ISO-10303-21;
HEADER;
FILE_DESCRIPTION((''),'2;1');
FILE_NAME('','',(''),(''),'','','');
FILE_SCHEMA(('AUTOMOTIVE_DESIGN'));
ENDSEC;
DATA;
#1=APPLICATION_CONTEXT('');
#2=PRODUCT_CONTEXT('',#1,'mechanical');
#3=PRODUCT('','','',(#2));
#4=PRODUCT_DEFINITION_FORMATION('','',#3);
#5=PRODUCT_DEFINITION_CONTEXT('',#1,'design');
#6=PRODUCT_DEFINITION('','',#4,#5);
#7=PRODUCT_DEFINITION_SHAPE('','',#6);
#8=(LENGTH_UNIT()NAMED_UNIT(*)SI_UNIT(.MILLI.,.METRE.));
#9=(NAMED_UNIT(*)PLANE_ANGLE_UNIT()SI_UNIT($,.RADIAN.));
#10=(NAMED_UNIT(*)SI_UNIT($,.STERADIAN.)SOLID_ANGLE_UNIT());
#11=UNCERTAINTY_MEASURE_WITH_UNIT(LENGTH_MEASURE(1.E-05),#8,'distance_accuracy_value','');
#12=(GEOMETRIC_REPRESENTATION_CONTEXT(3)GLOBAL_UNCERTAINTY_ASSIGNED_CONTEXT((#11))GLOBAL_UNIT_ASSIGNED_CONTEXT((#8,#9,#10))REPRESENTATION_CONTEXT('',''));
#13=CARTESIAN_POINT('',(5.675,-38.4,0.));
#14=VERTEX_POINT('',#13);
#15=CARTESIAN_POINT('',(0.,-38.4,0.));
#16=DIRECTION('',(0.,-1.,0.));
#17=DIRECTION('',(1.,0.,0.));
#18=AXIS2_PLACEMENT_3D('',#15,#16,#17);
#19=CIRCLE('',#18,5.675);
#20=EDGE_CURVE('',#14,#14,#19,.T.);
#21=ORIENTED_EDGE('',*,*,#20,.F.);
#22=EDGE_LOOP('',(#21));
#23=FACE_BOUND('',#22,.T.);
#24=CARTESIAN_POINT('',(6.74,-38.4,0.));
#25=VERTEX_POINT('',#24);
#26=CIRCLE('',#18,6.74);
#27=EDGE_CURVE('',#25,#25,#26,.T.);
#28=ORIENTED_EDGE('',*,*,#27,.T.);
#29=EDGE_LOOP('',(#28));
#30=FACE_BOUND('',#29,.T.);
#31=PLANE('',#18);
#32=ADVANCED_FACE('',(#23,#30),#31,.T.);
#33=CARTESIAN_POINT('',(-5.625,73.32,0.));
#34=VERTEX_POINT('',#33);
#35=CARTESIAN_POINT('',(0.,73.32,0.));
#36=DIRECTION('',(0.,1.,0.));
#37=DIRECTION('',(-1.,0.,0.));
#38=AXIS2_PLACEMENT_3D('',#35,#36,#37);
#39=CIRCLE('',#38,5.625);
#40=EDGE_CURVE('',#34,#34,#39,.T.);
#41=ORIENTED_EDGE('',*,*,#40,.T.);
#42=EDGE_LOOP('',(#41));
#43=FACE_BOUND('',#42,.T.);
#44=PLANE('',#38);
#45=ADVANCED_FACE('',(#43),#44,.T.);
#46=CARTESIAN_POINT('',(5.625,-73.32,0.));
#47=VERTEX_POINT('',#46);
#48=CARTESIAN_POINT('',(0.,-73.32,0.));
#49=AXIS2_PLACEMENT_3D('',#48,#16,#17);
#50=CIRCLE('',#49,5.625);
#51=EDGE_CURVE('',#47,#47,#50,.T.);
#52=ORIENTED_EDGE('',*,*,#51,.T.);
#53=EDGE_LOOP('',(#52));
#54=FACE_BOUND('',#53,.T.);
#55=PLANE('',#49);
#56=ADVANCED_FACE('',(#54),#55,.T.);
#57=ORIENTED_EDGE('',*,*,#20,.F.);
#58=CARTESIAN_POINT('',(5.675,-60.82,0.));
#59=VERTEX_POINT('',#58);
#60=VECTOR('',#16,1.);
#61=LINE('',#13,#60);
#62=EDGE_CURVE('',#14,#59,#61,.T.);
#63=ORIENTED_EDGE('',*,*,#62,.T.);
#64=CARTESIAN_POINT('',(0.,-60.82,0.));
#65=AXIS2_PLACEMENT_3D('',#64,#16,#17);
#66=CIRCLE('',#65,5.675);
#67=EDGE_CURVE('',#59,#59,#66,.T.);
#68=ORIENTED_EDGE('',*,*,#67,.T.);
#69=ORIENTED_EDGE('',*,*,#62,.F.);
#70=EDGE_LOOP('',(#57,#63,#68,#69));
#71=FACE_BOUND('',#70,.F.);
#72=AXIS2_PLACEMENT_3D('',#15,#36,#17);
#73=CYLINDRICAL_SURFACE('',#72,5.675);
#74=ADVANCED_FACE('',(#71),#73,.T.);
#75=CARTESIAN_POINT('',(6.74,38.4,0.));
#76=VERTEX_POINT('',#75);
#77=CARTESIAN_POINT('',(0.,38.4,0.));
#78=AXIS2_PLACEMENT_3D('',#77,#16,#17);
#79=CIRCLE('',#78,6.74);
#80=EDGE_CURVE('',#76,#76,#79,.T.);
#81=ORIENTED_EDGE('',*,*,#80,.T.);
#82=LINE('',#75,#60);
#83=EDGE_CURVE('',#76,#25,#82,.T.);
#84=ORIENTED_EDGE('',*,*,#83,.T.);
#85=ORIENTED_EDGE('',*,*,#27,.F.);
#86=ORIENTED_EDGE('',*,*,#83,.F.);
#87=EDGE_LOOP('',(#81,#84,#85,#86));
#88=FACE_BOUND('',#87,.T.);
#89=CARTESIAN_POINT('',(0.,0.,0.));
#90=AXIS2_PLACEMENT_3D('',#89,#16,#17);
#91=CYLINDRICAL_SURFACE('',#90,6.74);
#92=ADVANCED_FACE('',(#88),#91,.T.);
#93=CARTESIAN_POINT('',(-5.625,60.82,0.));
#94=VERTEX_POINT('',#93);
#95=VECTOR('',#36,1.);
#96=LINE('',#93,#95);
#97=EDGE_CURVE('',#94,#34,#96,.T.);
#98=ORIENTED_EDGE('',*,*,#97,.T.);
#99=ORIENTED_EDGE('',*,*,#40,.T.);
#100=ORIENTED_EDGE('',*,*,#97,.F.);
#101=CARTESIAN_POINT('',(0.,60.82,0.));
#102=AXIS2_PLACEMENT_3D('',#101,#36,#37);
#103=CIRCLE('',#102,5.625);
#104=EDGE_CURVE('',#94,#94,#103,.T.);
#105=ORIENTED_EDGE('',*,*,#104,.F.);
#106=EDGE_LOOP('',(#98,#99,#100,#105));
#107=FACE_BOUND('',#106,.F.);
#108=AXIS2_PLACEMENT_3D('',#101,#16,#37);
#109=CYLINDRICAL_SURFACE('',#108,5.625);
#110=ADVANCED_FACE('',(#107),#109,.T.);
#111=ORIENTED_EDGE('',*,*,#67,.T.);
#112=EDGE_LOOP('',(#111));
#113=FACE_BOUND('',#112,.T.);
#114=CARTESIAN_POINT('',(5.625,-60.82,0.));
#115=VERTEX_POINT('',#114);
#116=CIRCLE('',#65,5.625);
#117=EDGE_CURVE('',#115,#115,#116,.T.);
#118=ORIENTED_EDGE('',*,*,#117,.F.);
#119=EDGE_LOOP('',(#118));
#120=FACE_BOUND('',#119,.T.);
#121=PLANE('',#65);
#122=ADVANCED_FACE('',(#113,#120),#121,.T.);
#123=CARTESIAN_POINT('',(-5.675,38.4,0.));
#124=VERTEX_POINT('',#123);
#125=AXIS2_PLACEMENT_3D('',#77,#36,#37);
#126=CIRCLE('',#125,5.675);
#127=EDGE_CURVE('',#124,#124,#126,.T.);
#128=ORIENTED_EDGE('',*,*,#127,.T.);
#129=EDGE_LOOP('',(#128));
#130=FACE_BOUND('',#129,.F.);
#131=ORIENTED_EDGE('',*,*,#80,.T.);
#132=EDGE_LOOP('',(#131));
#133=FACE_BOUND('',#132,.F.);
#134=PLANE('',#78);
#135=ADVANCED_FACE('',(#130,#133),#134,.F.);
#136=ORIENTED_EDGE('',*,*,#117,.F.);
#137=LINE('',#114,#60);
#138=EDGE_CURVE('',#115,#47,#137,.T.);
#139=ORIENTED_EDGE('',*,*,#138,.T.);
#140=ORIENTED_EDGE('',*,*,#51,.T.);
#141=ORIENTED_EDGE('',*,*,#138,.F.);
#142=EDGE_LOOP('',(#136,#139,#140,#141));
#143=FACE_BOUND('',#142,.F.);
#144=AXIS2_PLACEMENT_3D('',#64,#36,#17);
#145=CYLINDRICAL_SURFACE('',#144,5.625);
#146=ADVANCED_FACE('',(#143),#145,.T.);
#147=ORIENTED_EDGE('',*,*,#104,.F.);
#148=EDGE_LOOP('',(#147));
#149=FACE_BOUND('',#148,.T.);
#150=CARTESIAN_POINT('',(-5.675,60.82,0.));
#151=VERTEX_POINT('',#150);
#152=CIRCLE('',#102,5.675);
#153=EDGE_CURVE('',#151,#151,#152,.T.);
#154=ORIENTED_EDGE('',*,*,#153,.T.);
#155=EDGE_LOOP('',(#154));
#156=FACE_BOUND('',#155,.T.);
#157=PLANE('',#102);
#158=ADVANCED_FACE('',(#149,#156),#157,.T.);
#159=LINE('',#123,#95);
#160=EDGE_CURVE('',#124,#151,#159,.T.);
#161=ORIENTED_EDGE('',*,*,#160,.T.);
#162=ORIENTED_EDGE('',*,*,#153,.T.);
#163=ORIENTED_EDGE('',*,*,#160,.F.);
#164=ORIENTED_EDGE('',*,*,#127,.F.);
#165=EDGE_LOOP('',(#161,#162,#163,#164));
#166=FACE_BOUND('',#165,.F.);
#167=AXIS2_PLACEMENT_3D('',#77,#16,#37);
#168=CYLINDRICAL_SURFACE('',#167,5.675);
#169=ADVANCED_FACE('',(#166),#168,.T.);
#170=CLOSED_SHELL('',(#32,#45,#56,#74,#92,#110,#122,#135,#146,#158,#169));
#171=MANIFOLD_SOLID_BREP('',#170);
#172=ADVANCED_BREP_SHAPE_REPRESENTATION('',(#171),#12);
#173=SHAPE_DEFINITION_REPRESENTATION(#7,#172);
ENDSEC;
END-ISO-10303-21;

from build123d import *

# Parameters (mm, degrees)
F0_R     = 6.74
F1_DEPTH = 38.4
F2_R     = 5.675
F3_DEPTH = 22.42
F4_R     = 5.625
F5_DEPTH = 12.5
F6_R     = 5.675
F7_DEPTH = 22.42
F8_R     = 5.625
F9_DEPTH = 12.5


with BuildPart() as f1:
    # F0 (on Front) → F1 (new body, symmetric)
    with BuildSketch(Plane.XZ):
        Circle(F0_R)
    extrude(amount=F1_DEPTH, both=True)

    # F2 (on face) → F3 (join)
    with BuildSketch(Plane(origin=(0, 38.4, 0), x_dir=(-1, 0, 0), z_dir=(0, 1, 0))):
        Circle(F2_R)
    extrude(amount=F3_DEPTH)

    # F4 (on face) → F5 (join)
    with BuildSketch(Plane(origin=(0, 60.82, 0), x_dir=(-1, 0, 0), z_dir=(0, 1, 0))):
        Circle(F4_R)
    extrude(amount=F5_DEPTH)

    # F6 (on face) → F7 (join)
    with BuildSketch(Plane.XZ.offset(38.4)):
        Circle(F6_R)
    extrude(amount=F7_DEPTH)

    # F8 (on face) → F9 (join)
    with BuildSketch(Plane.XZ.offset(60.82)):
        Circle(F8_R)
    extrude(amount=F9_DEPTH)


solid = f1.part
